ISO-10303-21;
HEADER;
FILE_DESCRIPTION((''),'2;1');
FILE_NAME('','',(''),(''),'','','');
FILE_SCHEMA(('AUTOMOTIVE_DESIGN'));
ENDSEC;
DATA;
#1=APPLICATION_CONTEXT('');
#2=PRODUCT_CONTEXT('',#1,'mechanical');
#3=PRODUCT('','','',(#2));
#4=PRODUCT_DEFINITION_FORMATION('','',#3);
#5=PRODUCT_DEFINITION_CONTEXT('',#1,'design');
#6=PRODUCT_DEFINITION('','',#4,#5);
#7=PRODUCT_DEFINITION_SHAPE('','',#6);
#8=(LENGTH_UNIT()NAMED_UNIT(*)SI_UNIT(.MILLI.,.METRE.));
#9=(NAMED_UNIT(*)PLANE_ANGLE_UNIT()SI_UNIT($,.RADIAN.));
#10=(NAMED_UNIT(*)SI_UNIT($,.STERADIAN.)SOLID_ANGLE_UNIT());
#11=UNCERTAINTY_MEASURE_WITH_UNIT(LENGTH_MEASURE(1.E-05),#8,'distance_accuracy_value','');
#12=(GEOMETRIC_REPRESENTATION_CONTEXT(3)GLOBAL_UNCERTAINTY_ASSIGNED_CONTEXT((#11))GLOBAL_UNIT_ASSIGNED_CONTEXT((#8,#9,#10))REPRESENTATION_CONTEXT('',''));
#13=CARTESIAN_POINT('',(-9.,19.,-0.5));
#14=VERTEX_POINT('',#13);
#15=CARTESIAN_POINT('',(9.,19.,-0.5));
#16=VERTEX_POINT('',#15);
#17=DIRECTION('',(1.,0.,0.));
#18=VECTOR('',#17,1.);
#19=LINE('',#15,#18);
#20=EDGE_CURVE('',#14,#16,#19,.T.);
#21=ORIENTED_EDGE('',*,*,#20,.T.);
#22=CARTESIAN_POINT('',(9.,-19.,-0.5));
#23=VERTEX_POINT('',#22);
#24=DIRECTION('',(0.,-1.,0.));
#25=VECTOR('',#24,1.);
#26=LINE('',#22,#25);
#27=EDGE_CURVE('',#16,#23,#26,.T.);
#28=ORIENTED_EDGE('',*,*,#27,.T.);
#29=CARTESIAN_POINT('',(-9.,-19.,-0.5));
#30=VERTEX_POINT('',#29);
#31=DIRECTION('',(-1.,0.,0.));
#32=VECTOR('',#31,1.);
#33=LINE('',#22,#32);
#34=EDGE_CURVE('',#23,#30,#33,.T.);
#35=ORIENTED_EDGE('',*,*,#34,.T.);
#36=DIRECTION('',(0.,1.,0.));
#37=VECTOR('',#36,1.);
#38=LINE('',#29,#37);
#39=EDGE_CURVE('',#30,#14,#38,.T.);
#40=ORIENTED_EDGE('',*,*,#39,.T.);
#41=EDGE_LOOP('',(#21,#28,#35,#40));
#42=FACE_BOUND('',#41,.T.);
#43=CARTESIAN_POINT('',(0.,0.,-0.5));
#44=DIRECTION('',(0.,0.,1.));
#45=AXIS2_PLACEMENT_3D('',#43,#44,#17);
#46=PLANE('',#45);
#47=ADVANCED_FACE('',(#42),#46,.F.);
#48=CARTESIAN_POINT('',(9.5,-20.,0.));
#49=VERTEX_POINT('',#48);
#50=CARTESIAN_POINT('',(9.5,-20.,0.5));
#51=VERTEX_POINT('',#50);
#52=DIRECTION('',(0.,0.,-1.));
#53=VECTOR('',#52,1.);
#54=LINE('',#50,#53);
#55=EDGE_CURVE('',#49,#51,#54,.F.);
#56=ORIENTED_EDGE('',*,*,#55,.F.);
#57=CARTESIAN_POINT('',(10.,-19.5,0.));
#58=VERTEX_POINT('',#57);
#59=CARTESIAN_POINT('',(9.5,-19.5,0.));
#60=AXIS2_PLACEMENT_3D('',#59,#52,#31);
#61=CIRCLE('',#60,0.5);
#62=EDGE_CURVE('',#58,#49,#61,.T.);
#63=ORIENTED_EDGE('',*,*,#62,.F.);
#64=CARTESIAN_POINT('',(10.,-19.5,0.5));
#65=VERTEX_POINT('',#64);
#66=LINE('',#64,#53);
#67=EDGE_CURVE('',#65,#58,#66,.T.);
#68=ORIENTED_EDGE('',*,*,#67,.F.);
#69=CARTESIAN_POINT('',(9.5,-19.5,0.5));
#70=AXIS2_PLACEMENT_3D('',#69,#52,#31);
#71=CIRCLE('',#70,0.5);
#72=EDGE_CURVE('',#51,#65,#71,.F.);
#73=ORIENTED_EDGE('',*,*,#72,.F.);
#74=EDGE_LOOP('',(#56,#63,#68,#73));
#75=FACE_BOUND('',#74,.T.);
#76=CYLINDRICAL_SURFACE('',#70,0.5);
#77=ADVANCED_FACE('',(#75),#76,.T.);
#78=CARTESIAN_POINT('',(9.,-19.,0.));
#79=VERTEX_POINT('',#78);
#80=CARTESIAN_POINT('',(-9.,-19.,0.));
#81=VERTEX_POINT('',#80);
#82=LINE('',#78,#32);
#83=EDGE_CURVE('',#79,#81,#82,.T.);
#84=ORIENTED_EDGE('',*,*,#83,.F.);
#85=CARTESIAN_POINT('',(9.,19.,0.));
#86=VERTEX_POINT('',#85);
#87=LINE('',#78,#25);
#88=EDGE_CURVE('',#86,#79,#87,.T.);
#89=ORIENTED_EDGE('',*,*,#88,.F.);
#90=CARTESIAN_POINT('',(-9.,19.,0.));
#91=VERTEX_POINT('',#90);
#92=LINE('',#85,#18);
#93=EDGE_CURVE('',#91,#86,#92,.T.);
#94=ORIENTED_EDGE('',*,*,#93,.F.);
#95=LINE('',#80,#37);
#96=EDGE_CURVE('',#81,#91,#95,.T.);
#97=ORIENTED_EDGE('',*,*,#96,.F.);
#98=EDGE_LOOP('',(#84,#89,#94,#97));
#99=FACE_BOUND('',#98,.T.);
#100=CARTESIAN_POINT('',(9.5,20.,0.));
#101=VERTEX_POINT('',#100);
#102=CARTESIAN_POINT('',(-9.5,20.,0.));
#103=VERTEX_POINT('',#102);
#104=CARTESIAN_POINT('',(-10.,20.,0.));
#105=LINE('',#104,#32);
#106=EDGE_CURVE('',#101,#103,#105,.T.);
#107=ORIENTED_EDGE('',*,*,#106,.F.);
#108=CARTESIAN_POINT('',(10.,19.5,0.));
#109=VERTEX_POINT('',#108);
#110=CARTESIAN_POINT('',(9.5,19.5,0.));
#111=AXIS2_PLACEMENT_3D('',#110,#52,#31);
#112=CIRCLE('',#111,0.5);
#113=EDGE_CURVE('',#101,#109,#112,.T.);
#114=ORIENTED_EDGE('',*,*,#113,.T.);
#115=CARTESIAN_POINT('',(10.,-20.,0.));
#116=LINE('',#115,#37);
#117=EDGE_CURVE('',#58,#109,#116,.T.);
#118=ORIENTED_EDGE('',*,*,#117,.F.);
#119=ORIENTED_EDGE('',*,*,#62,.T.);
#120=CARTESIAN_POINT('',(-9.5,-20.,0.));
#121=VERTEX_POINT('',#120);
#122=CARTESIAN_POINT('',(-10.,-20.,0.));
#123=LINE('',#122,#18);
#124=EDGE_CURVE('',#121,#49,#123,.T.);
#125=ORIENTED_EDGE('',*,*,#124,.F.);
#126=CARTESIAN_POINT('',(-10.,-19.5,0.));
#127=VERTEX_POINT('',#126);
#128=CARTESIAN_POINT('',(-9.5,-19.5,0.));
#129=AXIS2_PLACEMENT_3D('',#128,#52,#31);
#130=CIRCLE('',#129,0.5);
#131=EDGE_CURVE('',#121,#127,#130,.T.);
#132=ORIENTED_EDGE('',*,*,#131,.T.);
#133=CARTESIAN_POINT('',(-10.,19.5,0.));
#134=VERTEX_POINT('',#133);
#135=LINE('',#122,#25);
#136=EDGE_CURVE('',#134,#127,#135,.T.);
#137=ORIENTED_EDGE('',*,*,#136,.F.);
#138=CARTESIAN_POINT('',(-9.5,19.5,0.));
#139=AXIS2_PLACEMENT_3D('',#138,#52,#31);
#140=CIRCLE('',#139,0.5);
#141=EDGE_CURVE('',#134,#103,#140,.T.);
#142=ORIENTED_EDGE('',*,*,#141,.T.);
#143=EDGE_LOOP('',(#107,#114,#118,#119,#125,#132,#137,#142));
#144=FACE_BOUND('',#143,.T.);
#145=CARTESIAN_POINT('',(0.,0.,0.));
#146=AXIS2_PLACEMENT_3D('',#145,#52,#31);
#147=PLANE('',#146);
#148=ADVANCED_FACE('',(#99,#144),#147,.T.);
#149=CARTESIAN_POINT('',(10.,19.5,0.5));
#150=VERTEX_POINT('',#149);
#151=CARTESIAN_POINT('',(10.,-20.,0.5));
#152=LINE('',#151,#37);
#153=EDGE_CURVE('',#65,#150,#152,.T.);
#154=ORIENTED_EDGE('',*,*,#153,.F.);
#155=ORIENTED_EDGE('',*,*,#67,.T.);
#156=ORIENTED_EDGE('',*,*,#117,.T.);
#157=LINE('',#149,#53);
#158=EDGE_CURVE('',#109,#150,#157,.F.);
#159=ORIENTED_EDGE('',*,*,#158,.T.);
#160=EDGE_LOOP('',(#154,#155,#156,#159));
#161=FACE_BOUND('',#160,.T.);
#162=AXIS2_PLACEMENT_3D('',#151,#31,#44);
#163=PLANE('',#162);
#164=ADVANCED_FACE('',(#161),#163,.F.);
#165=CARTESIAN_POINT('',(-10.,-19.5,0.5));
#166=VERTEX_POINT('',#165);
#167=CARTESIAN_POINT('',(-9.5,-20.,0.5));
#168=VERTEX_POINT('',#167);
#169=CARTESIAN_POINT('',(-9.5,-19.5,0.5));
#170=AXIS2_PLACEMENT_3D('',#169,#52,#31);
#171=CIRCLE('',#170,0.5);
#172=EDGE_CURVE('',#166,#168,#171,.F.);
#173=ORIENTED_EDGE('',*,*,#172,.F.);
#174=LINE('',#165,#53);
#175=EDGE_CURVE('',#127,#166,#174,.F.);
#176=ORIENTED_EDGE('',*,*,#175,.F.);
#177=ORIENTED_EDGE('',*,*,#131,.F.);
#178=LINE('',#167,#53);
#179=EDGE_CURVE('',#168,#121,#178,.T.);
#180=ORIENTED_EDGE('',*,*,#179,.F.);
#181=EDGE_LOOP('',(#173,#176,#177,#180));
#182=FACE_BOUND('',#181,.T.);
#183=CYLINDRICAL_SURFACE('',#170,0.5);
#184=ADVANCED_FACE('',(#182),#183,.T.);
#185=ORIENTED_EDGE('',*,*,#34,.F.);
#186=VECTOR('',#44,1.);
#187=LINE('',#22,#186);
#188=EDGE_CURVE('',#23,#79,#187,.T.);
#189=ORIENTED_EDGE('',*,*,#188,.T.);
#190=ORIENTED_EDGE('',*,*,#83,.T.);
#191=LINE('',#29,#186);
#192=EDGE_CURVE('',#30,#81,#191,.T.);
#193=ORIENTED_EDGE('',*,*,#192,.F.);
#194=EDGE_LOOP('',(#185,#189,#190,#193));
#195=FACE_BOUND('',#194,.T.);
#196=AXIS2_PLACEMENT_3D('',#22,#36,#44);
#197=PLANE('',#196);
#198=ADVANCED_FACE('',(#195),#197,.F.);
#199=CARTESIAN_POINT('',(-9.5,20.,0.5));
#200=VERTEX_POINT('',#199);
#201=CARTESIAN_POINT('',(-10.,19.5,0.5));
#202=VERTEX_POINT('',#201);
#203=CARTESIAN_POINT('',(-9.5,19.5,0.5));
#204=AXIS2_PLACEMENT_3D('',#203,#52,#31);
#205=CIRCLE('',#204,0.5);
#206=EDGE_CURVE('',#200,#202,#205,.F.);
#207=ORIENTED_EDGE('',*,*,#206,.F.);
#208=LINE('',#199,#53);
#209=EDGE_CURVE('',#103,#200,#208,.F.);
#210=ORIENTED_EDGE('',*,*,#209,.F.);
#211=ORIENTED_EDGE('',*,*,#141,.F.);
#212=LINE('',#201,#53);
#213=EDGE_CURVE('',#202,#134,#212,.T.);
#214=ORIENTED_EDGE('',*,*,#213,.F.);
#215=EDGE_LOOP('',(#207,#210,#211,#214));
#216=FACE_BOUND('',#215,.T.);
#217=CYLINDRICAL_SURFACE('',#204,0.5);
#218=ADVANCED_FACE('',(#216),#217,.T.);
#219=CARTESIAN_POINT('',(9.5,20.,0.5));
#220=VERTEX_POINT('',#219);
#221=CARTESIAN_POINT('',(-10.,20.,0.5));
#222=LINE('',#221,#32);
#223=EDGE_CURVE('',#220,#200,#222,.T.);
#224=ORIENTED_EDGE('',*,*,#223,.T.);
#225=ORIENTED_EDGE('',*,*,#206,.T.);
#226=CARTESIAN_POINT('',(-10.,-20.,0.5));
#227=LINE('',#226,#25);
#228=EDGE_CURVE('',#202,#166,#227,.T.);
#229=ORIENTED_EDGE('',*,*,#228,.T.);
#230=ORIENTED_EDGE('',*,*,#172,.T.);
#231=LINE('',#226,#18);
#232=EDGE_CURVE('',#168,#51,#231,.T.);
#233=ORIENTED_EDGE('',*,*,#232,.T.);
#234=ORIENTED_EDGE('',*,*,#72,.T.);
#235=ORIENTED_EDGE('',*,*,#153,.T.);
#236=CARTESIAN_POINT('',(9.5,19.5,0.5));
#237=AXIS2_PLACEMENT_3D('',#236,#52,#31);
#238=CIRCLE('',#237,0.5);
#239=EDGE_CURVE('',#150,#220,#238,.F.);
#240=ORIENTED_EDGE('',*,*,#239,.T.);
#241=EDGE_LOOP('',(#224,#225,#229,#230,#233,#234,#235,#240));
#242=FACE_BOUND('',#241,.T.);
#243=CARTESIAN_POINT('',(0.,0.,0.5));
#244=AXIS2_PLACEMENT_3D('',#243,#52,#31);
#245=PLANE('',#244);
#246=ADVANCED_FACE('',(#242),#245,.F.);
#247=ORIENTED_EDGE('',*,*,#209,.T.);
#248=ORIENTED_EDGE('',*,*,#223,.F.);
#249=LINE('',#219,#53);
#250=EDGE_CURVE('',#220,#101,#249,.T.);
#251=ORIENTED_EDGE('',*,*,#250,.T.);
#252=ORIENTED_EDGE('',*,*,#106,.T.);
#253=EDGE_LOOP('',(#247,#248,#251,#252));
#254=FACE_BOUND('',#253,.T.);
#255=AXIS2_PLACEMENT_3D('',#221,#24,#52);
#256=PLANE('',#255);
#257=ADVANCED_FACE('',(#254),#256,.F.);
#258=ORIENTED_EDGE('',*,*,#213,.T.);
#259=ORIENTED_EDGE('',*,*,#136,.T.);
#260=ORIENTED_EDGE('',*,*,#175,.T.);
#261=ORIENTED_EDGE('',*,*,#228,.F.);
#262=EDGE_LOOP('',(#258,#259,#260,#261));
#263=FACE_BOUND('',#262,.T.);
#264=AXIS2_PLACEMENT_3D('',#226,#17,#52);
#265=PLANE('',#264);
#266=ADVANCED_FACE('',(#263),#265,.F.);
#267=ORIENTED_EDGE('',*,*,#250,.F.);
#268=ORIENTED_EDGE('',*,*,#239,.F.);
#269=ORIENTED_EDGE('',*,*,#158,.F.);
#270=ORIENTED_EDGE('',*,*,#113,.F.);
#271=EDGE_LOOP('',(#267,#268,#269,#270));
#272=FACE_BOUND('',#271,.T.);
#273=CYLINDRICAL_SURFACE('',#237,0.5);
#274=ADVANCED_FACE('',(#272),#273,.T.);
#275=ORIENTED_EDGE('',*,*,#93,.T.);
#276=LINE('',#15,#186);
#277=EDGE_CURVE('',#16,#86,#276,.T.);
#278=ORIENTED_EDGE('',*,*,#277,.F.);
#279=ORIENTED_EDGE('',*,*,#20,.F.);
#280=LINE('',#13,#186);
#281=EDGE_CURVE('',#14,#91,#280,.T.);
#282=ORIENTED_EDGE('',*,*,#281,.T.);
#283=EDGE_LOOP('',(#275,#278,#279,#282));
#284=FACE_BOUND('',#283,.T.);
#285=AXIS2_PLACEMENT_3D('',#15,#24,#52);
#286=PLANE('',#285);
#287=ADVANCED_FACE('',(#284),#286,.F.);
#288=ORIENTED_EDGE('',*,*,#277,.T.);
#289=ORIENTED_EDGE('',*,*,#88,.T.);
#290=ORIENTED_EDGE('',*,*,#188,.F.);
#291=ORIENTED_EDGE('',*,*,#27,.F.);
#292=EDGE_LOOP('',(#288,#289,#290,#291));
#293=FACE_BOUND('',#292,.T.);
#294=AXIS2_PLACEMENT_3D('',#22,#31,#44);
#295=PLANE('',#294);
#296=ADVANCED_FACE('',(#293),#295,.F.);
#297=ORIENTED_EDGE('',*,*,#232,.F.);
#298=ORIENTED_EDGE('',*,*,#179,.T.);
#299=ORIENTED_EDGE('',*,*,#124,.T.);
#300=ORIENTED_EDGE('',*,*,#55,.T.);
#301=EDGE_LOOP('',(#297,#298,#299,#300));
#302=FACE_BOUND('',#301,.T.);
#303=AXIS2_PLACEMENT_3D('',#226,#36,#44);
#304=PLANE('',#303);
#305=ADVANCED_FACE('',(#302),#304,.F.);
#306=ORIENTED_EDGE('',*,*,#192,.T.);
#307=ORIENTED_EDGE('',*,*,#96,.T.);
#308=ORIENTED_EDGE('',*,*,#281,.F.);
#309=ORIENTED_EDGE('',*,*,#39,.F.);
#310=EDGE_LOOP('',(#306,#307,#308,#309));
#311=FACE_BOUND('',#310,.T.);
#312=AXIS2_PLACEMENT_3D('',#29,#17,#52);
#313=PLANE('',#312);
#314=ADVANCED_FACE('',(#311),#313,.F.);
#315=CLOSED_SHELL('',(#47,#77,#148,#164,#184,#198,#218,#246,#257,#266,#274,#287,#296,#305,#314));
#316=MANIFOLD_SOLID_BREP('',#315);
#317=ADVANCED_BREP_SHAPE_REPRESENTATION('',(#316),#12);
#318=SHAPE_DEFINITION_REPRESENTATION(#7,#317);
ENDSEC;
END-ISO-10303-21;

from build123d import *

# Parameters (mm, degrees)
SKETCH2_W           = 20
SKETCH2_H           = 40
BOSS_EXTRUDE1_DEPTH = 0.5
SKETCH4_W           = 18
SKETCH4_H           = 38
BOSS_EXTRUDE2_DEPTH = 0.5
FILLET1_R           = 0.5


with BuildPart() as part:
    # Sketch2 → Boss-Extrude1 (new body)
    with BuildSketch(Plane.XY):
        Rectangle(SKETCH2_W, SKETCH2_H)
    extrude(amount=BOSS_EXTRUDE1_DEPTH)

    # Sketch4 → Boss-Extrude2 (add)
    with BuildSketch(Plane(origin=(0, 0, 0), x_dir=(-1, 0, 0), z_dir=(0, 0, -1))):
        Rectangle(SKETCH4_W, SKETCH4_H)
    extrude(amount=BOSS_EXTRUDE2_DEPTH)

    # Fillet1
    fillet1_edges = [part.edges().sort_by_distance(p)[0] for p in [
        (10, -20, 0.25),
        (-10, -20, 0.25),
        (-10, 20, 0.25),
        (10, 20, 0.25),
    ]]
    fillet(fillet1_edges, radius=FILLET1_R)


solid = part.part
